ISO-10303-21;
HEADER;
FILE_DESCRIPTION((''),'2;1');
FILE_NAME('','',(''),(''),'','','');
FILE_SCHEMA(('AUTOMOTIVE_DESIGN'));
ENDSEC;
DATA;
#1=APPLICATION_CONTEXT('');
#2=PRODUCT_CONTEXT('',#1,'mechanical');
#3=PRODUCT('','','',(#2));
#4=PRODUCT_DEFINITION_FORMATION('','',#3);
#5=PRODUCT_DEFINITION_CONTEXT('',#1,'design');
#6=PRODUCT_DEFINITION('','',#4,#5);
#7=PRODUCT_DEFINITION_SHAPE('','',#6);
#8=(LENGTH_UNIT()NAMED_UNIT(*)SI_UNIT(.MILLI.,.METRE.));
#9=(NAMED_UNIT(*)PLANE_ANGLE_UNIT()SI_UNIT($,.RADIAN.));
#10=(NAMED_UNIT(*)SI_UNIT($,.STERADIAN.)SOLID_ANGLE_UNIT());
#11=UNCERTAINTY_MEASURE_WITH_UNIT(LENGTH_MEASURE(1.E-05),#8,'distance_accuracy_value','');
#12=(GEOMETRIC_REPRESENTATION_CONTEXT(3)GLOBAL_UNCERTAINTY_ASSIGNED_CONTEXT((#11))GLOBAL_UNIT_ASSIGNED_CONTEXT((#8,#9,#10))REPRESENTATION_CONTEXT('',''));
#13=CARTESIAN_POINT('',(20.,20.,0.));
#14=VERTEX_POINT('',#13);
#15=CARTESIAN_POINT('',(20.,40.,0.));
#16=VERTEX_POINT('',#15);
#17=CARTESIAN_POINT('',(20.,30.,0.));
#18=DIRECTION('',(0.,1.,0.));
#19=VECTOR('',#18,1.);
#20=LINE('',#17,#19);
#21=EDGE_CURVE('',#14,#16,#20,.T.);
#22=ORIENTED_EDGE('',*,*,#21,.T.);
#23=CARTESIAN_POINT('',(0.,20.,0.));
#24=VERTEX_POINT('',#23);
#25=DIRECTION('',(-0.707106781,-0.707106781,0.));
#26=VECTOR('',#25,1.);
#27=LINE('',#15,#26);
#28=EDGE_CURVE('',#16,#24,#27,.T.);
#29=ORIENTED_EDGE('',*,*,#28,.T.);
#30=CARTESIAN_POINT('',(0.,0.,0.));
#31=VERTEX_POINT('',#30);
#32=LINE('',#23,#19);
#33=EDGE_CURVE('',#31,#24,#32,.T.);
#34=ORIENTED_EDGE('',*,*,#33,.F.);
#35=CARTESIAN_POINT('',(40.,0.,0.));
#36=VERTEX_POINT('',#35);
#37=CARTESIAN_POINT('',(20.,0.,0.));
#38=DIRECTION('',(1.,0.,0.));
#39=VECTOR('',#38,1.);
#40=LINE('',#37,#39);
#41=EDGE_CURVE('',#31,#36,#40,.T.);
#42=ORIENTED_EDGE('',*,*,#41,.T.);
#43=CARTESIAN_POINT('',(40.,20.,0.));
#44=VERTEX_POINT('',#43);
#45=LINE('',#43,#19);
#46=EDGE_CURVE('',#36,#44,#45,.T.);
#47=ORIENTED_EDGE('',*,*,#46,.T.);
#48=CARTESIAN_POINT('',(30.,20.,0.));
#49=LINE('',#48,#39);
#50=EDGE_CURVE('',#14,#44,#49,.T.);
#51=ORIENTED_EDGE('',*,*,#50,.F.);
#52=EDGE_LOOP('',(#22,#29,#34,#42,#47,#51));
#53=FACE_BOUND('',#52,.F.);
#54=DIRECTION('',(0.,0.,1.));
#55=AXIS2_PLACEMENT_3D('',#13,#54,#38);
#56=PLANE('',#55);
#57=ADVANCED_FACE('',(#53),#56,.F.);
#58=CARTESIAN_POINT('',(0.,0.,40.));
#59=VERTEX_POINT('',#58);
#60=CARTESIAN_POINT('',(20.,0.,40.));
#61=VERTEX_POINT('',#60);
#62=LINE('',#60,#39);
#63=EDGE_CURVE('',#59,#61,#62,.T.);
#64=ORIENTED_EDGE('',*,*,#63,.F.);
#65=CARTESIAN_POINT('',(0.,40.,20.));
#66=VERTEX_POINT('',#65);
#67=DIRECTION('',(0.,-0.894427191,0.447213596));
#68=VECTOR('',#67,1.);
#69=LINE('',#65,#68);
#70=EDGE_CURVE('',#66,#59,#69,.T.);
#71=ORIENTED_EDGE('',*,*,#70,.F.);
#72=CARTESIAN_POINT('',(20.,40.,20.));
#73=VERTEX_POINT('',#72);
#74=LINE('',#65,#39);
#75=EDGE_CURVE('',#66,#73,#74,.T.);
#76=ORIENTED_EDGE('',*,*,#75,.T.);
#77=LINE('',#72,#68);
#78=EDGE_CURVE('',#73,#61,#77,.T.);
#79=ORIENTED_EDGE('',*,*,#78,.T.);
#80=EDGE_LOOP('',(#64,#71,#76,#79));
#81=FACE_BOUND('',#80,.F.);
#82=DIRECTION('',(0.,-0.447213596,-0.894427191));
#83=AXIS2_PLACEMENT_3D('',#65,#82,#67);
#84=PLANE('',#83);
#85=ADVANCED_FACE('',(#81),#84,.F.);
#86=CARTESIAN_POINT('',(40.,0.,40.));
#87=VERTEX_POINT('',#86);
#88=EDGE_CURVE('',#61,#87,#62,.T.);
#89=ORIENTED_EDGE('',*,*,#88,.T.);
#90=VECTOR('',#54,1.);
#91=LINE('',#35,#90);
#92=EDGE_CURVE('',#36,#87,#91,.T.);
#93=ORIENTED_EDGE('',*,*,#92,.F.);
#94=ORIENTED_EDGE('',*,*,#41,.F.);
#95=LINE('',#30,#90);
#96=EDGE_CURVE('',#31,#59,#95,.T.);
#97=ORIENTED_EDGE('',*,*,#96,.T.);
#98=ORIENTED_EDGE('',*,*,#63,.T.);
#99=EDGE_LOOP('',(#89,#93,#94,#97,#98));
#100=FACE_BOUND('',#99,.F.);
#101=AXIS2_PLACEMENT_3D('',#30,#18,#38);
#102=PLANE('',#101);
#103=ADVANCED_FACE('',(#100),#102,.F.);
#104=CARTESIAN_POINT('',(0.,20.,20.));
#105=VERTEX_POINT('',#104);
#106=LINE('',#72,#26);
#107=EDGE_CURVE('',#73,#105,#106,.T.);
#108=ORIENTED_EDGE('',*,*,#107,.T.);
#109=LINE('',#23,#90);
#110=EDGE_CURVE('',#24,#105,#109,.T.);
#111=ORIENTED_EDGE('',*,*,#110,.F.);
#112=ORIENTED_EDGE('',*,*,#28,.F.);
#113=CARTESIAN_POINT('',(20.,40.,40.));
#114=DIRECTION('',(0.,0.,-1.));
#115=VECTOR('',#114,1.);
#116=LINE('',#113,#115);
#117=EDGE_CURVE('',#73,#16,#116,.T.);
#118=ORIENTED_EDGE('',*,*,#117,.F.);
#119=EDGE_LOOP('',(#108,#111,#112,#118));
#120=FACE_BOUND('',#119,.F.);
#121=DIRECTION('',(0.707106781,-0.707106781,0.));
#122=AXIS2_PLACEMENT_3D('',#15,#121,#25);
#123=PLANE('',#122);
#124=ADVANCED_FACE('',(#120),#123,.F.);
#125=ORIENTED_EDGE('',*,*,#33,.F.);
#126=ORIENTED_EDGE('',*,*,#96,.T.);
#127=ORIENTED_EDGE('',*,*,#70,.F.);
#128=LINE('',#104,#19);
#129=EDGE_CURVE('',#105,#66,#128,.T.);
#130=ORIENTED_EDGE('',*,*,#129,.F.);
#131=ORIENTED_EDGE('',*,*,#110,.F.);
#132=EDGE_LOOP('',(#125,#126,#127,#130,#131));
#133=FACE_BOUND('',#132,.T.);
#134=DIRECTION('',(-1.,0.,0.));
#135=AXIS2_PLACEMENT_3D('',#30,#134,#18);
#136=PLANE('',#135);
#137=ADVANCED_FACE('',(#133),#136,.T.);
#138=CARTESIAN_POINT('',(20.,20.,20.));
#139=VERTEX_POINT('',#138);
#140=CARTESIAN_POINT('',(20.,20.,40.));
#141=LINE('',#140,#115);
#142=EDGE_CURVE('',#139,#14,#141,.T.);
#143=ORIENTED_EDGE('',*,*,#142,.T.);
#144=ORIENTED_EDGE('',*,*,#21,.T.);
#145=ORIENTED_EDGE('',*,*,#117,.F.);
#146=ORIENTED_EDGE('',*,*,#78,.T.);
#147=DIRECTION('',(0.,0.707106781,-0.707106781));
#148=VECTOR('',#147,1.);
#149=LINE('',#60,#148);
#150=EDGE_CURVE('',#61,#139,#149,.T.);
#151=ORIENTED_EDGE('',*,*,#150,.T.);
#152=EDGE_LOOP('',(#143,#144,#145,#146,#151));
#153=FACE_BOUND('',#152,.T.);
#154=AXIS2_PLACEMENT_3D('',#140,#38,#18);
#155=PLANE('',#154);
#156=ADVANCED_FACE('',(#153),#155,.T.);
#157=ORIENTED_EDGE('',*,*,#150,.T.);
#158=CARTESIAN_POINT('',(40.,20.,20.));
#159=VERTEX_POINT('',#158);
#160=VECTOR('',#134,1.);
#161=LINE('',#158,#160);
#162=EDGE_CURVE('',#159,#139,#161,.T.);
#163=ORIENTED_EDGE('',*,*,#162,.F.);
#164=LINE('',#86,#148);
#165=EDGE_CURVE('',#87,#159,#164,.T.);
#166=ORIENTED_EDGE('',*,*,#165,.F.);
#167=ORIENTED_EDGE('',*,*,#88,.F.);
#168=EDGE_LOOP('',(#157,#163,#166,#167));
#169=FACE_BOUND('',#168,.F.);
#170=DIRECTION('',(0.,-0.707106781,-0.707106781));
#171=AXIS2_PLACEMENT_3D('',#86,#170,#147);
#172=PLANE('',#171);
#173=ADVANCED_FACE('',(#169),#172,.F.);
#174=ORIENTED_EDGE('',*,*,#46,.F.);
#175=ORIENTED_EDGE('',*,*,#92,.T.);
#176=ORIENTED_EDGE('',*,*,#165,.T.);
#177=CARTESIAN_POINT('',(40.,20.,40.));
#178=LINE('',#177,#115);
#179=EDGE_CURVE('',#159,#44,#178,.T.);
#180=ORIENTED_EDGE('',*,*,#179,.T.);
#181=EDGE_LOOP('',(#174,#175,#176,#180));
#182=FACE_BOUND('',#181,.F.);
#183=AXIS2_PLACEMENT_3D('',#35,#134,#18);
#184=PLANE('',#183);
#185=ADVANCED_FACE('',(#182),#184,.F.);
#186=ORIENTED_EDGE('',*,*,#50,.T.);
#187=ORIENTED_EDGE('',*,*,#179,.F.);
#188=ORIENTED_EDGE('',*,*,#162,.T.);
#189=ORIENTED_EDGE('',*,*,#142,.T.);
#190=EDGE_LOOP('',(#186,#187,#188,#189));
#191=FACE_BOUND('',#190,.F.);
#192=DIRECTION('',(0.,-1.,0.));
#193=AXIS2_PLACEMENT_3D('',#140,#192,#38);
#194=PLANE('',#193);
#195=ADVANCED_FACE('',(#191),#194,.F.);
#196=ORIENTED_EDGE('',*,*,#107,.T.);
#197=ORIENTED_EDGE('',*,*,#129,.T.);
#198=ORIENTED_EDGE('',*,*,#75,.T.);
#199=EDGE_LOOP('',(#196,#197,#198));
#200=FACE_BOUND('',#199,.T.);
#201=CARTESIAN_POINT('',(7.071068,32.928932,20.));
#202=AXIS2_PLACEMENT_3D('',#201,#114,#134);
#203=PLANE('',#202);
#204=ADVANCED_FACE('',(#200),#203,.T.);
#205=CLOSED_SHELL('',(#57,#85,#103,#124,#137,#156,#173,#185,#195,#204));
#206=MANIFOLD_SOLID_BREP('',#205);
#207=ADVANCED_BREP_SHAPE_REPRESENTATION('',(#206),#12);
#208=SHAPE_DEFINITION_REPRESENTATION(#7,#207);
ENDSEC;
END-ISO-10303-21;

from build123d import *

# Parameters (mm, degrees)
SKETCH1_W           = 40
SKETCH1_H           = 40
BOSS_EXTRUDE1_DEPTH = 40
SKETCH2_W           = 20
SKETCH2_H           = 20
CUT_EXTRUDE1_DEPTH  = 40
CUT_EXTRUDE2_DEPTH  = 20
CUT_EXTRUDE4_DEPTH  = 20
CUT_EXTRUDE5_DEPTH  = 20


with BuildPart() as part:
    # Sketch1 → Boss-Extrude1 (new body)
    with BuildSketch(Plane.XY):
        with Locations((20, 20)):
            Rectangle(SKETCH1_W, SKETCH1_H)
    extrude(amount=BOSS_EXTRUDE1_DEPTH)

    # Sketch2 → Cut-Extrude1 (cut)
    with BuildSketch(Plane.XY.offset(40)):
        with Locations((30, 30)):
            Rectangle(SKETCH2_W, SKETCH2_H)
    extrude(amount=-CUT_EXTRUDE1_DEPTH, mode=Mode.SUBTRACT)

    # Sketch3 → Cut-Extrude2 (cut)
    with BuildSketch(Plane(origin=(40, 0, 0), x_dir=(0, 0, -1), z_dir=(1, 0, 0))):
        Polygon((-40, 0), (-20, 20), (-40, 20), align=None)
    extrude(amount=-CUT_EXTRUDE2_DEPTH, mode=Mode.SUBTRACT)

    # Sketch5 → Cut-Extrude4 (cut)
    with BuildSketch(Plane(origin=(0, 0, 0), x_dir=(-1, 0, 0), z_dir=(0, 0, -1))):
        Polygon((-20, 40), (0, 20), (0, 40), align=None)
    extrude(amount=-CUT_EXTRUDE4_DEPTH, mode=Mode.SUBTRACT)

    # Sketch6 → Cut-Extrude5 (cut)
    with BuildSketch(Plane.ZY):
        Polygon((20, 40), (40, 0), (40, 40), align=None)
    extrude(amount=-CUT_EXTRUDE5_DEPTH, mode=Mode.SUBTRACT)


solid = part.part
